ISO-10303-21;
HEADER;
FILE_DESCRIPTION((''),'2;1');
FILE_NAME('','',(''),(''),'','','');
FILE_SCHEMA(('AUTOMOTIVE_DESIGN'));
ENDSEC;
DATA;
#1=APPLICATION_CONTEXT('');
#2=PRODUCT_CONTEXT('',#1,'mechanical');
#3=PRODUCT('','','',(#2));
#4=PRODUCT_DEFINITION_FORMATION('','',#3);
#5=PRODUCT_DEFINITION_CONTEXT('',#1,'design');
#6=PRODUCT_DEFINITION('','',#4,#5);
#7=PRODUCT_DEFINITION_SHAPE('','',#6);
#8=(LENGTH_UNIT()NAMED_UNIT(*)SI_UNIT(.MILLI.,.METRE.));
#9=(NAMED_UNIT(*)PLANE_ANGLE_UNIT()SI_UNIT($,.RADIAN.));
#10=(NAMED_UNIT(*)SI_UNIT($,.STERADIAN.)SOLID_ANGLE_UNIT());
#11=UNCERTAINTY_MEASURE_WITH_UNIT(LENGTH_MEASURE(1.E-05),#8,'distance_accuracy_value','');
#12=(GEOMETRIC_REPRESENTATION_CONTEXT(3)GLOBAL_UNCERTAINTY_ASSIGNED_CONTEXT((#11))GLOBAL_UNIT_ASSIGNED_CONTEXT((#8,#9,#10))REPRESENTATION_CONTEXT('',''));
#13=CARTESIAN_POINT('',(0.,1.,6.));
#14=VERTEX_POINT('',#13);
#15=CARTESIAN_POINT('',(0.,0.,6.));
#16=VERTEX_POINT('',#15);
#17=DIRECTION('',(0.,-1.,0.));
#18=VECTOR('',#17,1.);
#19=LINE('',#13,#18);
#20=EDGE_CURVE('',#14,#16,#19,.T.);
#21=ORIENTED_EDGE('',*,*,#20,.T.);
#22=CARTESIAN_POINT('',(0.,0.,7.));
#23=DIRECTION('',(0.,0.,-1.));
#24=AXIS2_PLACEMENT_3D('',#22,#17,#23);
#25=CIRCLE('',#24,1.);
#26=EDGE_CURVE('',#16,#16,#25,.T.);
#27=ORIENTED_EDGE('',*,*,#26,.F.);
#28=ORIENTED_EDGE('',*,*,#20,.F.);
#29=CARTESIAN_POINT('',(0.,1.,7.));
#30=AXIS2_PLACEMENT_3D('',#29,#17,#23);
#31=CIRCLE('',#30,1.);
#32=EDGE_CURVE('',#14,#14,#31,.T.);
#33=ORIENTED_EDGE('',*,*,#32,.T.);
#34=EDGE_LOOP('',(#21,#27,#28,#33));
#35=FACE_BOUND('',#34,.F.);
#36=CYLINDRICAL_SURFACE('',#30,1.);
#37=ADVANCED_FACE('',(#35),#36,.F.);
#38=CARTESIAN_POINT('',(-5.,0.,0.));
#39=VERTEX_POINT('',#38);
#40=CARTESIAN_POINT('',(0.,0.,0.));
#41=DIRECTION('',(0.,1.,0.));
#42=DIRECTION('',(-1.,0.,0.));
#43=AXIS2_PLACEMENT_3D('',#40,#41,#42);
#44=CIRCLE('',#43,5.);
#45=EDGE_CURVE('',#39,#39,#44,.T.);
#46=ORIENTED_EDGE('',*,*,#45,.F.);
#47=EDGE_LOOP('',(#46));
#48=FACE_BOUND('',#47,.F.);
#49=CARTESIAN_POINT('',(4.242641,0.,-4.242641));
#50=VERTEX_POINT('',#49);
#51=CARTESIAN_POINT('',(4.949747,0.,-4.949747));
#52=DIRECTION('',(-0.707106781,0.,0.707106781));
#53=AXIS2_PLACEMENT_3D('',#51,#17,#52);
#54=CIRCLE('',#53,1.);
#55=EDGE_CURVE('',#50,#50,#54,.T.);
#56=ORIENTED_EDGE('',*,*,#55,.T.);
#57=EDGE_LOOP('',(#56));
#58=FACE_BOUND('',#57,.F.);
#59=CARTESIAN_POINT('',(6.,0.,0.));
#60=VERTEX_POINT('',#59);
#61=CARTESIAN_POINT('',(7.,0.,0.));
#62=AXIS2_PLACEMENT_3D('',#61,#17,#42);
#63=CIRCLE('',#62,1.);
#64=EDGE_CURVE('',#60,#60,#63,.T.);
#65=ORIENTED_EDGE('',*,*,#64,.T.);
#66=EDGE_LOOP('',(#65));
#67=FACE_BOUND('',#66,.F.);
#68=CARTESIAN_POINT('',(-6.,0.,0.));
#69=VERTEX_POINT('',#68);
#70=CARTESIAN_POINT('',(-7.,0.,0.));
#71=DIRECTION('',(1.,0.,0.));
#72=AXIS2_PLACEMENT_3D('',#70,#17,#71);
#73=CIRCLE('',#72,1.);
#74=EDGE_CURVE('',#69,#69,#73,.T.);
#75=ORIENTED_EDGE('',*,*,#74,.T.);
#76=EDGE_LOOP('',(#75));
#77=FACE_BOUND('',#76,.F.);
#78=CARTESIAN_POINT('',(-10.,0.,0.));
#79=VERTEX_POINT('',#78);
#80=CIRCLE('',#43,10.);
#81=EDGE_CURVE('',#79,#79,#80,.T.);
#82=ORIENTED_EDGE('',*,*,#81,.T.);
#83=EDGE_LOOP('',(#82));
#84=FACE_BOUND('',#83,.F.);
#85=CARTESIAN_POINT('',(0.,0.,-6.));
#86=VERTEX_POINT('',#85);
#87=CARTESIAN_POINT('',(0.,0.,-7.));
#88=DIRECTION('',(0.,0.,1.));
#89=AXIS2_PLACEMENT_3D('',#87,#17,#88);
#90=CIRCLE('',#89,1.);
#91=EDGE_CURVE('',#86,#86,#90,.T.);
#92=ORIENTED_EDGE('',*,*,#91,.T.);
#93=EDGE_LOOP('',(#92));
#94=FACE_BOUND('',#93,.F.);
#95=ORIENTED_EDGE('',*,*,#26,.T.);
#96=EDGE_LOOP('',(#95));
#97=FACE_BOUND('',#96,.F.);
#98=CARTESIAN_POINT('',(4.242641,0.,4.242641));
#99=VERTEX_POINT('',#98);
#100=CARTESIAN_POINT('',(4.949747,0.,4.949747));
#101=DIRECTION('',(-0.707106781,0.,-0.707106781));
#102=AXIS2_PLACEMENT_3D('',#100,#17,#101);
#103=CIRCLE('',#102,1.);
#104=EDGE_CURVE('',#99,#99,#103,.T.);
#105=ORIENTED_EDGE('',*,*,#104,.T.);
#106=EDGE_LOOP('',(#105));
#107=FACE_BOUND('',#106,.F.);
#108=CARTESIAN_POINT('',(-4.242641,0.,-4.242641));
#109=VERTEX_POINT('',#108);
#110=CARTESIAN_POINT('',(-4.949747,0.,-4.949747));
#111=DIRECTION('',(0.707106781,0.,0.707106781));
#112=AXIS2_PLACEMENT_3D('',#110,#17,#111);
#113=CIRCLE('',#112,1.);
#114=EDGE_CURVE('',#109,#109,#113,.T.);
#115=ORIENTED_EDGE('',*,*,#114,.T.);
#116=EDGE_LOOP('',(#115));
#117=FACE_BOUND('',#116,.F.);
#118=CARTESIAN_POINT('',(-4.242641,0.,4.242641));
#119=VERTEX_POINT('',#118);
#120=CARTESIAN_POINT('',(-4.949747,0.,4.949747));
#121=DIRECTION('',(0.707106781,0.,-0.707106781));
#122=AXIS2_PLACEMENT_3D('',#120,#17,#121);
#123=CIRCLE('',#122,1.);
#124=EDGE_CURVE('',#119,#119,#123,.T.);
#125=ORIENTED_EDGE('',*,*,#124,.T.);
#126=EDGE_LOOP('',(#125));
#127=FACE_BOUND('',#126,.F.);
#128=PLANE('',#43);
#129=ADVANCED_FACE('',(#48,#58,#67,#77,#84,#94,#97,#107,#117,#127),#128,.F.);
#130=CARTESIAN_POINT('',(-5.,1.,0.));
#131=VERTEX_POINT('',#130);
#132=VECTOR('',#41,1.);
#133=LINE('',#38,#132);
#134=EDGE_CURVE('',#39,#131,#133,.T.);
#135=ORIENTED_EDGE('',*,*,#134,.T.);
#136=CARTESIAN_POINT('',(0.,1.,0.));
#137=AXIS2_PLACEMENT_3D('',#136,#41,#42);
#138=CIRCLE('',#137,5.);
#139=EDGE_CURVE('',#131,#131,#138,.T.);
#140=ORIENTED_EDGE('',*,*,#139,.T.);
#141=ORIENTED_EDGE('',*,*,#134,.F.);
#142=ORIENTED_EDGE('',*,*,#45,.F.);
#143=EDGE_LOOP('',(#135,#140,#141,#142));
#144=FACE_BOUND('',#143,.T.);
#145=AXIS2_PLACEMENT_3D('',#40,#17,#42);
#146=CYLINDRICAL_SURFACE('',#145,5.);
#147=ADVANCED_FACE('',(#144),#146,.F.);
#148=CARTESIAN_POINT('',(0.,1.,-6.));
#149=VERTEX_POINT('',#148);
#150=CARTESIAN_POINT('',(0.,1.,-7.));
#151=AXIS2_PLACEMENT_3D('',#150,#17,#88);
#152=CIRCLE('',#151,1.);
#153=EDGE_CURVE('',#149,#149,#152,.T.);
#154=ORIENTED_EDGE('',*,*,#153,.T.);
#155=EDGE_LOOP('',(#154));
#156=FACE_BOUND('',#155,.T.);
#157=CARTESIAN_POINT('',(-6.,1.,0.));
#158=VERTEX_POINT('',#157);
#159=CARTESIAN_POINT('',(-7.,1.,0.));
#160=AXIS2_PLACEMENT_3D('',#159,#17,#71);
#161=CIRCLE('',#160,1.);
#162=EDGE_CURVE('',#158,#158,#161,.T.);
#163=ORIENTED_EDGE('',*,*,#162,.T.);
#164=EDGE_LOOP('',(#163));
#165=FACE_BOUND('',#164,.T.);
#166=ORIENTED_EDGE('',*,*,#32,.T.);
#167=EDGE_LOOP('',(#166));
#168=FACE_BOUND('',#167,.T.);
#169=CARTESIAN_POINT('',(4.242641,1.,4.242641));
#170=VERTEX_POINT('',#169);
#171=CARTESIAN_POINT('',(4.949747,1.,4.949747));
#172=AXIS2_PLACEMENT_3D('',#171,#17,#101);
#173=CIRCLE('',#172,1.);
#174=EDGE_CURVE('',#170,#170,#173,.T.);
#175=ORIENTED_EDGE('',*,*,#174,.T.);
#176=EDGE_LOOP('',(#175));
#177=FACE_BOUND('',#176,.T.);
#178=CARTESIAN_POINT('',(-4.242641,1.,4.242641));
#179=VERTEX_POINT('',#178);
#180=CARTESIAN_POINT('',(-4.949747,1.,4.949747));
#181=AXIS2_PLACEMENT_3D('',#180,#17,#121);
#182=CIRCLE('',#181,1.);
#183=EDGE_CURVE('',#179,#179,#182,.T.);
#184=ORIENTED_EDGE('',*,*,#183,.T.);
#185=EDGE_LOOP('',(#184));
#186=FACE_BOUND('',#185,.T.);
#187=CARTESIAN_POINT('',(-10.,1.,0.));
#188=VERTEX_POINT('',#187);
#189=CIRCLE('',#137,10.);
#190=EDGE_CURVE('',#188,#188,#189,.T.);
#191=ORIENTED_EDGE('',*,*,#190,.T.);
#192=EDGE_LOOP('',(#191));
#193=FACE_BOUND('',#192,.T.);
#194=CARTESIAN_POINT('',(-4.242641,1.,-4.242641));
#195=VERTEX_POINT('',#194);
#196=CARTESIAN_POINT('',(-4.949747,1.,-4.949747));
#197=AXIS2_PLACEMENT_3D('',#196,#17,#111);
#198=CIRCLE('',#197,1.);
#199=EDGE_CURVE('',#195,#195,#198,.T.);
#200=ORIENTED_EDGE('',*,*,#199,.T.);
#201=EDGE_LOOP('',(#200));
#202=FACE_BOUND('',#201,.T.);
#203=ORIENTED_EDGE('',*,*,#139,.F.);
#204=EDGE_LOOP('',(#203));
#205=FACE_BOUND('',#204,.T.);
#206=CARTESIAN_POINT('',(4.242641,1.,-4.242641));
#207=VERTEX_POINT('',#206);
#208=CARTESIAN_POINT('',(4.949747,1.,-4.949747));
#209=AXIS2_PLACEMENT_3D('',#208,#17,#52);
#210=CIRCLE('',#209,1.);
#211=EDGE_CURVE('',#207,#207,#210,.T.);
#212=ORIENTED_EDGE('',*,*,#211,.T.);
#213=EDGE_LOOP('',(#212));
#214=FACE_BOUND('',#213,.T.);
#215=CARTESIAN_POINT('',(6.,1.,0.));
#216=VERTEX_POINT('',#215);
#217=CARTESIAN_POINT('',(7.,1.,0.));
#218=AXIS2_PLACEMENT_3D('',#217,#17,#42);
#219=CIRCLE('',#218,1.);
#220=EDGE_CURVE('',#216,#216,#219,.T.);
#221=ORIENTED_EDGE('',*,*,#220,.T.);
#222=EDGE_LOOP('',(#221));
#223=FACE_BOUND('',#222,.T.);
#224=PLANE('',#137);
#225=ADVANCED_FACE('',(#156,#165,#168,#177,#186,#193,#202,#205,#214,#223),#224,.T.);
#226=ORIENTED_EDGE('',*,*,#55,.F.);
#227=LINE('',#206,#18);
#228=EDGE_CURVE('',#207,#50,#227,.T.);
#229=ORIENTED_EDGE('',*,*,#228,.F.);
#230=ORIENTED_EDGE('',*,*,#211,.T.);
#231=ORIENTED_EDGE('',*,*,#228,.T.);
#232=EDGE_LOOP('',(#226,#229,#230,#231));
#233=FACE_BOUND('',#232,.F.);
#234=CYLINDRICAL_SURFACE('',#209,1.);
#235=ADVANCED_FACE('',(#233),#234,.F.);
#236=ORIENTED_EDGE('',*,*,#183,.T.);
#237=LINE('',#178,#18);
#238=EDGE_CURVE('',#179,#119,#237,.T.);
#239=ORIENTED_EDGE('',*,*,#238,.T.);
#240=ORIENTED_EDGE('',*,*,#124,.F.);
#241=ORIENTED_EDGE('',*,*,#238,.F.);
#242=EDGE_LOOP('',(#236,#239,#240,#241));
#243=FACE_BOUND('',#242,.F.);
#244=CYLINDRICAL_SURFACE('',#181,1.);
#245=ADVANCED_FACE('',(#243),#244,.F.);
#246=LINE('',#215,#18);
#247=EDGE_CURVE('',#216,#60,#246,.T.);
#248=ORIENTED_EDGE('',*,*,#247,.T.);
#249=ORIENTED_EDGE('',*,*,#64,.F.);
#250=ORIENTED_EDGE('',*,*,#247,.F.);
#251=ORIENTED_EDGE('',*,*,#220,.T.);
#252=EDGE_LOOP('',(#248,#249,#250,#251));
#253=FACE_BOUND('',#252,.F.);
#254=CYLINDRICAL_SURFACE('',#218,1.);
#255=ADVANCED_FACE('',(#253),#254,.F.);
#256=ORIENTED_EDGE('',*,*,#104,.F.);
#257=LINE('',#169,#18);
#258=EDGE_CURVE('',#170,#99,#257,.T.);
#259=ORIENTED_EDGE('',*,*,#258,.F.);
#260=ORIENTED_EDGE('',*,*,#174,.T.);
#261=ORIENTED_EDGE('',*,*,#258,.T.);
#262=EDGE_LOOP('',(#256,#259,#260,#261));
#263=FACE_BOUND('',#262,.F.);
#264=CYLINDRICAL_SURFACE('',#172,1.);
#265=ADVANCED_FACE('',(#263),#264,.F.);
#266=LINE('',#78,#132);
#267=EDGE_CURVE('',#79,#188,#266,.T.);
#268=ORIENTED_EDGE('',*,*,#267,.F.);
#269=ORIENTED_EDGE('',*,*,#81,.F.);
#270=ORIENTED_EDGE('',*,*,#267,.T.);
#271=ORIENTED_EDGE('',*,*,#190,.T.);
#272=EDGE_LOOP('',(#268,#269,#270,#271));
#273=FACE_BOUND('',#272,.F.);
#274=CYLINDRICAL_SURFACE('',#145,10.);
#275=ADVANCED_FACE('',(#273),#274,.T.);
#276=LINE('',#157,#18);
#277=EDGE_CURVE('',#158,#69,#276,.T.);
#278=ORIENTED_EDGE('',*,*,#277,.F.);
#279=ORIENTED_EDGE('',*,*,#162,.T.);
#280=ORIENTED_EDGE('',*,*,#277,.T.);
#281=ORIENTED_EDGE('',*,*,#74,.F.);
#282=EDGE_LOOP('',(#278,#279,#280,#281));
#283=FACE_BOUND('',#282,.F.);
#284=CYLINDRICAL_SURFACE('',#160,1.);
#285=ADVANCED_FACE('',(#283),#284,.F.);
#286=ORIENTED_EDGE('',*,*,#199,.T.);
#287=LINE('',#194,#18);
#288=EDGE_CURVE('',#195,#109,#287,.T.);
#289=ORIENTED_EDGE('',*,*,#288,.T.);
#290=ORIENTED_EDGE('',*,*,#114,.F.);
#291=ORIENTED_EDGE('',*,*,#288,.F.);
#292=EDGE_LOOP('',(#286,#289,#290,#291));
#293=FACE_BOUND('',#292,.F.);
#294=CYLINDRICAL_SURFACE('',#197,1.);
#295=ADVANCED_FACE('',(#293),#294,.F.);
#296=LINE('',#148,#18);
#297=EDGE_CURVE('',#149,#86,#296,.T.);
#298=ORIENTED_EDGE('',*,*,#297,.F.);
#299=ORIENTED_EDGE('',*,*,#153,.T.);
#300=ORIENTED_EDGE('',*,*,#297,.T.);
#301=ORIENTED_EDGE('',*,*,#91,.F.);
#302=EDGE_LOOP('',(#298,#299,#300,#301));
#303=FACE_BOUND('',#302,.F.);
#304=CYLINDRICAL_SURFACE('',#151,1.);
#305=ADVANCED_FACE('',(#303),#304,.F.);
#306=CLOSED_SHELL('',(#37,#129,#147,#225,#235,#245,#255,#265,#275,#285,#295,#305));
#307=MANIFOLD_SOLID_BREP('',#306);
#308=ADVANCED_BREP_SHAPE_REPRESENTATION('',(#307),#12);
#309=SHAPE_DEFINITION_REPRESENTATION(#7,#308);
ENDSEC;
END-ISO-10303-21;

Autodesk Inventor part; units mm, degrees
ref_plane "YZ Plane" through (0, 0, 0) normal (1, 0, 0) x (0, 1, 0)
ref_plane "XZ Plane" through (0, 0, 0) normal (0, 1, 0) x (-1, 0, 0)
ref_plane "XY Plane" through (0, 0, 0) normal (0, 0, 1) x (1, 0, 0)
sketch "スケッチ1" plane through (0, 0, 0) normal (0, 1, 0) x (-1, 0, 0)
  circle A0 centre (0, 0) radius 10
  circle A1 centre (0, 0) radius 5
  dimension "d0" = 20
  dimension "d2" = 10
extrude "押し出し1" add sketch "スケッチ1" along normal blind 1
sketch "スケッチ2" plane through (0, 1, 0) normal (0, 1, 0) x (1, 0, 0)
  circle A0 centre (0, 0) radius 5 projected
  circle A1 centre (0, 7) radius 1
  dimension "d5" = 2
  dimension "d7" = 7
  dimension "d8" = 0
hole "穴1" at (0, 1, -7) direction (0, -1, 0) diameter 2 end through all
pattern_circular "円形状パターン1" count 8 over 360 about axis through (0, 0, 0) along (0, 1, 0) of "穴1"
properties part number "8" material "アセタール樹脂、白"
